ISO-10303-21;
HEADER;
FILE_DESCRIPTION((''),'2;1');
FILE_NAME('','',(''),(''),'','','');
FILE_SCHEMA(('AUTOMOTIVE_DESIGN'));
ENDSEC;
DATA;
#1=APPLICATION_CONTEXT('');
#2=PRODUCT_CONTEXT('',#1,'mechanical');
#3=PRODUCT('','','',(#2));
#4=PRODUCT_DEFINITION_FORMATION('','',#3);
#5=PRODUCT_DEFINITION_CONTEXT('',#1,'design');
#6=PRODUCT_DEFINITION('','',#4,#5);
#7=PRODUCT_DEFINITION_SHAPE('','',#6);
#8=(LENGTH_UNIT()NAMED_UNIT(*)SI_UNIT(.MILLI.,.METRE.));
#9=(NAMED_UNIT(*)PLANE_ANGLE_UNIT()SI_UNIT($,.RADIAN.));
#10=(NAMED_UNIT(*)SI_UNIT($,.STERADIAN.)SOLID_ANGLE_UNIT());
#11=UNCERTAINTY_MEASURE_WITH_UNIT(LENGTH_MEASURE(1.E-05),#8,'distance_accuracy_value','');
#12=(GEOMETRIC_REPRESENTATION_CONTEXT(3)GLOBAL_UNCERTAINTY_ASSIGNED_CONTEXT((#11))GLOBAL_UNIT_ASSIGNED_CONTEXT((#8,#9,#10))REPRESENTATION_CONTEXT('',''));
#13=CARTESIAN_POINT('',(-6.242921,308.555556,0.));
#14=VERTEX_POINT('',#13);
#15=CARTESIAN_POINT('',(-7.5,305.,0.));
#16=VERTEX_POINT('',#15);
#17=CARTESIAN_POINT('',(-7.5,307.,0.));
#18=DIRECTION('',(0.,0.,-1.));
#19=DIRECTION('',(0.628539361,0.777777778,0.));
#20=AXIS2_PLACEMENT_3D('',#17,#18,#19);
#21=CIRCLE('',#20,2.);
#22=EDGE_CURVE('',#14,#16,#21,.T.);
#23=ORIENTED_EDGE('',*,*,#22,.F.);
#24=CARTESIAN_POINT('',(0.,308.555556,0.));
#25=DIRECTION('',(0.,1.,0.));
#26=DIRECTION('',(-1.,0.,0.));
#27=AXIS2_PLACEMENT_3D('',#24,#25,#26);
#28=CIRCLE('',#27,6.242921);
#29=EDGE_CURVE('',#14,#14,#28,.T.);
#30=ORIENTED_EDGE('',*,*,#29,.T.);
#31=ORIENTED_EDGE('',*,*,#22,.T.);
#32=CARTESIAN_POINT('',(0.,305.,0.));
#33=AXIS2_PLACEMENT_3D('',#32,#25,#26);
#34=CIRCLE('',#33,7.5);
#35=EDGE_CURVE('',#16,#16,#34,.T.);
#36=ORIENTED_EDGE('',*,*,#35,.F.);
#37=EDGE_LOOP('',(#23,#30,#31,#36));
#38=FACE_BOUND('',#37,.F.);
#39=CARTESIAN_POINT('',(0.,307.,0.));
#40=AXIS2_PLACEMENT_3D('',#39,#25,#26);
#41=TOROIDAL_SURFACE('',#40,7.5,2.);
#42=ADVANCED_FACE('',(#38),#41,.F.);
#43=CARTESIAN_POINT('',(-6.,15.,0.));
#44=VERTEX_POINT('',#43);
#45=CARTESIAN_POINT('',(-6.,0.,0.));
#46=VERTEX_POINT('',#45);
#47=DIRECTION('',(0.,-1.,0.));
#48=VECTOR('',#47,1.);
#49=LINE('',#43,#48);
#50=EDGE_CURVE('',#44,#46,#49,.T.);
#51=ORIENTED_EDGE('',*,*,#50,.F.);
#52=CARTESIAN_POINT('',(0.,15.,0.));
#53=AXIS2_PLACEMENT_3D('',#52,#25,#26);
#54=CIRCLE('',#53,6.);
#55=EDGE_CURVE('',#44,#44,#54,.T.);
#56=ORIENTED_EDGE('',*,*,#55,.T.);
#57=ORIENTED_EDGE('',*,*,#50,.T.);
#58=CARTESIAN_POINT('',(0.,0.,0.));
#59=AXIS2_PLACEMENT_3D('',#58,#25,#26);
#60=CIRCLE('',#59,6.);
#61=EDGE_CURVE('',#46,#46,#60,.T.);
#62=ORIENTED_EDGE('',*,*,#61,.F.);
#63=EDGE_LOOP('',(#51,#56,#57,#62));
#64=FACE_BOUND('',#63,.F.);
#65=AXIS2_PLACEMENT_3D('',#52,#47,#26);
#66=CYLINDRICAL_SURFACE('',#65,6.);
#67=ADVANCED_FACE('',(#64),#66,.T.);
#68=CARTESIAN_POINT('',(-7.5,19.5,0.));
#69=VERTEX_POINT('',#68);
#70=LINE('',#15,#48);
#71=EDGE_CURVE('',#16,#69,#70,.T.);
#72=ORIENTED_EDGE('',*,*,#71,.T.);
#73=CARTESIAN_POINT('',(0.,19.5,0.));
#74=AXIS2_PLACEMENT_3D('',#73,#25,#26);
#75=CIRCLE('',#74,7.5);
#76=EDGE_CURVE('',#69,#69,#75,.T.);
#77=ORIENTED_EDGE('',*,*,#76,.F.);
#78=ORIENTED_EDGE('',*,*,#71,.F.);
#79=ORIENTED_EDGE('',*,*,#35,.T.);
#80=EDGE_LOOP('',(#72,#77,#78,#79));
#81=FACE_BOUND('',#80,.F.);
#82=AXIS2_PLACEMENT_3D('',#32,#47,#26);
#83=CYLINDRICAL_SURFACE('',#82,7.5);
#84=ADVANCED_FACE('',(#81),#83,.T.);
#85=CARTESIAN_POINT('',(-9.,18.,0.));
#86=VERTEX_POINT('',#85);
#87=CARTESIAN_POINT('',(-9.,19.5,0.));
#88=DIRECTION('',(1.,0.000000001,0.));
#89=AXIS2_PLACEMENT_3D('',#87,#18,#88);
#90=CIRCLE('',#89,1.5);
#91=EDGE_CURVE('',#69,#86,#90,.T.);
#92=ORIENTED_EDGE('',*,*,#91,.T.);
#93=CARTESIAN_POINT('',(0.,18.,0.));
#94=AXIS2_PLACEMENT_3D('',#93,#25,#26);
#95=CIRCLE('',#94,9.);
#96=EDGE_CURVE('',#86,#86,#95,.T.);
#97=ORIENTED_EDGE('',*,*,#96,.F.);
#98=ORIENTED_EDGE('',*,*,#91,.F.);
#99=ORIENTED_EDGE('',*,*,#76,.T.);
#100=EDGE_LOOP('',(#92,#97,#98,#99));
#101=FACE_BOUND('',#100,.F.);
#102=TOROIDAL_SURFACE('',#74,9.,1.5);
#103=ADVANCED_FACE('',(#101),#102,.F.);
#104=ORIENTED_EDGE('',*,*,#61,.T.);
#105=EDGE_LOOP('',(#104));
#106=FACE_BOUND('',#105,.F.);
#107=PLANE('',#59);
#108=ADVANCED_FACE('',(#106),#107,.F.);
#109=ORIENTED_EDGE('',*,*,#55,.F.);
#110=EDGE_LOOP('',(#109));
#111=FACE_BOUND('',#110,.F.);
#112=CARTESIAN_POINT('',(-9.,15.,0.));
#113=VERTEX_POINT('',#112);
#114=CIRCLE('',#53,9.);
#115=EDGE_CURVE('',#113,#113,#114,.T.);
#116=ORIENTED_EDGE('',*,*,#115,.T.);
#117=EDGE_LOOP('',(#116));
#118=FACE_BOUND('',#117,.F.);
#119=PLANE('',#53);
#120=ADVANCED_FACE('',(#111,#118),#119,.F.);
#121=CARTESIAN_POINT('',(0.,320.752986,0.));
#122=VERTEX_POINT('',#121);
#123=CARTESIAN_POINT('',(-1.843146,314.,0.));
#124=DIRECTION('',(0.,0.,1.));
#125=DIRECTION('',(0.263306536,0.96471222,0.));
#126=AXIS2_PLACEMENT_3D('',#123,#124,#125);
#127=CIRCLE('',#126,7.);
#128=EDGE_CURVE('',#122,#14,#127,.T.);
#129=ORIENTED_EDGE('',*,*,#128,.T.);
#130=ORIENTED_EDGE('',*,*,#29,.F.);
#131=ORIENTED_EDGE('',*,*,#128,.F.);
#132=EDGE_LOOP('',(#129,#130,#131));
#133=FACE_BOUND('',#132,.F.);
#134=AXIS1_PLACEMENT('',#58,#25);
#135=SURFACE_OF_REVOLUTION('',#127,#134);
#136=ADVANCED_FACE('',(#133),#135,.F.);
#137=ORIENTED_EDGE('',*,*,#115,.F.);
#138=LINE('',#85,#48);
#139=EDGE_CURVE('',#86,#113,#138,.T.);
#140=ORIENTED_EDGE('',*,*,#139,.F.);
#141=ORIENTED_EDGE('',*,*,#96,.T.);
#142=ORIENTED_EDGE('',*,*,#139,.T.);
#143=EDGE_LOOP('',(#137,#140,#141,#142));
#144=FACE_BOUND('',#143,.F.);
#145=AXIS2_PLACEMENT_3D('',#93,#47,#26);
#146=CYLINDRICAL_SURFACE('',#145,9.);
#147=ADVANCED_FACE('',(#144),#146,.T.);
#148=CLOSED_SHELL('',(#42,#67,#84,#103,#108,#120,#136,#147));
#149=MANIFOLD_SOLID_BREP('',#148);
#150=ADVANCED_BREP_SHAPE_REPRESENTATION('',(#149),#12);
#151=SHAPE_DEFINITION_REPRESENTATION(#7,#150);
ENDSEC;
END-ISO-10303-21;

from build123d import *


with BuildPart() as part:
    # Sketch1 → Revolve1 (revolve)
    with BuildSketch(Plane.XY):
        with BuildLine():
            Line((-6, 0), (0, 0))
            Line((0, 0), (0, 320.752985543))
            ThreePointArc((0, 320.752985543), (-8.074390693, 317.189292472), (-6.242921278, 308.555555556))
            ThreePointArc((-6.242921278, 308.555555556), (-5.614381917, 306.333333333), (-7.5, 305))
            Line((-7.5, 305), (-7.5, 19.5))
            ThreePointArc((-7.5, 19.5), (-7.939339828, 18.439339828), (-9, 18))
            Line((-9, 18), (-9, 15))
            Line((-9, 15), (-6, 15))
            Line((-6, 15), (-6, 0))
        make_face()
    revolve(axis=Axis((0, 0, 0), (0, 1, 0)))


solid = part.part
